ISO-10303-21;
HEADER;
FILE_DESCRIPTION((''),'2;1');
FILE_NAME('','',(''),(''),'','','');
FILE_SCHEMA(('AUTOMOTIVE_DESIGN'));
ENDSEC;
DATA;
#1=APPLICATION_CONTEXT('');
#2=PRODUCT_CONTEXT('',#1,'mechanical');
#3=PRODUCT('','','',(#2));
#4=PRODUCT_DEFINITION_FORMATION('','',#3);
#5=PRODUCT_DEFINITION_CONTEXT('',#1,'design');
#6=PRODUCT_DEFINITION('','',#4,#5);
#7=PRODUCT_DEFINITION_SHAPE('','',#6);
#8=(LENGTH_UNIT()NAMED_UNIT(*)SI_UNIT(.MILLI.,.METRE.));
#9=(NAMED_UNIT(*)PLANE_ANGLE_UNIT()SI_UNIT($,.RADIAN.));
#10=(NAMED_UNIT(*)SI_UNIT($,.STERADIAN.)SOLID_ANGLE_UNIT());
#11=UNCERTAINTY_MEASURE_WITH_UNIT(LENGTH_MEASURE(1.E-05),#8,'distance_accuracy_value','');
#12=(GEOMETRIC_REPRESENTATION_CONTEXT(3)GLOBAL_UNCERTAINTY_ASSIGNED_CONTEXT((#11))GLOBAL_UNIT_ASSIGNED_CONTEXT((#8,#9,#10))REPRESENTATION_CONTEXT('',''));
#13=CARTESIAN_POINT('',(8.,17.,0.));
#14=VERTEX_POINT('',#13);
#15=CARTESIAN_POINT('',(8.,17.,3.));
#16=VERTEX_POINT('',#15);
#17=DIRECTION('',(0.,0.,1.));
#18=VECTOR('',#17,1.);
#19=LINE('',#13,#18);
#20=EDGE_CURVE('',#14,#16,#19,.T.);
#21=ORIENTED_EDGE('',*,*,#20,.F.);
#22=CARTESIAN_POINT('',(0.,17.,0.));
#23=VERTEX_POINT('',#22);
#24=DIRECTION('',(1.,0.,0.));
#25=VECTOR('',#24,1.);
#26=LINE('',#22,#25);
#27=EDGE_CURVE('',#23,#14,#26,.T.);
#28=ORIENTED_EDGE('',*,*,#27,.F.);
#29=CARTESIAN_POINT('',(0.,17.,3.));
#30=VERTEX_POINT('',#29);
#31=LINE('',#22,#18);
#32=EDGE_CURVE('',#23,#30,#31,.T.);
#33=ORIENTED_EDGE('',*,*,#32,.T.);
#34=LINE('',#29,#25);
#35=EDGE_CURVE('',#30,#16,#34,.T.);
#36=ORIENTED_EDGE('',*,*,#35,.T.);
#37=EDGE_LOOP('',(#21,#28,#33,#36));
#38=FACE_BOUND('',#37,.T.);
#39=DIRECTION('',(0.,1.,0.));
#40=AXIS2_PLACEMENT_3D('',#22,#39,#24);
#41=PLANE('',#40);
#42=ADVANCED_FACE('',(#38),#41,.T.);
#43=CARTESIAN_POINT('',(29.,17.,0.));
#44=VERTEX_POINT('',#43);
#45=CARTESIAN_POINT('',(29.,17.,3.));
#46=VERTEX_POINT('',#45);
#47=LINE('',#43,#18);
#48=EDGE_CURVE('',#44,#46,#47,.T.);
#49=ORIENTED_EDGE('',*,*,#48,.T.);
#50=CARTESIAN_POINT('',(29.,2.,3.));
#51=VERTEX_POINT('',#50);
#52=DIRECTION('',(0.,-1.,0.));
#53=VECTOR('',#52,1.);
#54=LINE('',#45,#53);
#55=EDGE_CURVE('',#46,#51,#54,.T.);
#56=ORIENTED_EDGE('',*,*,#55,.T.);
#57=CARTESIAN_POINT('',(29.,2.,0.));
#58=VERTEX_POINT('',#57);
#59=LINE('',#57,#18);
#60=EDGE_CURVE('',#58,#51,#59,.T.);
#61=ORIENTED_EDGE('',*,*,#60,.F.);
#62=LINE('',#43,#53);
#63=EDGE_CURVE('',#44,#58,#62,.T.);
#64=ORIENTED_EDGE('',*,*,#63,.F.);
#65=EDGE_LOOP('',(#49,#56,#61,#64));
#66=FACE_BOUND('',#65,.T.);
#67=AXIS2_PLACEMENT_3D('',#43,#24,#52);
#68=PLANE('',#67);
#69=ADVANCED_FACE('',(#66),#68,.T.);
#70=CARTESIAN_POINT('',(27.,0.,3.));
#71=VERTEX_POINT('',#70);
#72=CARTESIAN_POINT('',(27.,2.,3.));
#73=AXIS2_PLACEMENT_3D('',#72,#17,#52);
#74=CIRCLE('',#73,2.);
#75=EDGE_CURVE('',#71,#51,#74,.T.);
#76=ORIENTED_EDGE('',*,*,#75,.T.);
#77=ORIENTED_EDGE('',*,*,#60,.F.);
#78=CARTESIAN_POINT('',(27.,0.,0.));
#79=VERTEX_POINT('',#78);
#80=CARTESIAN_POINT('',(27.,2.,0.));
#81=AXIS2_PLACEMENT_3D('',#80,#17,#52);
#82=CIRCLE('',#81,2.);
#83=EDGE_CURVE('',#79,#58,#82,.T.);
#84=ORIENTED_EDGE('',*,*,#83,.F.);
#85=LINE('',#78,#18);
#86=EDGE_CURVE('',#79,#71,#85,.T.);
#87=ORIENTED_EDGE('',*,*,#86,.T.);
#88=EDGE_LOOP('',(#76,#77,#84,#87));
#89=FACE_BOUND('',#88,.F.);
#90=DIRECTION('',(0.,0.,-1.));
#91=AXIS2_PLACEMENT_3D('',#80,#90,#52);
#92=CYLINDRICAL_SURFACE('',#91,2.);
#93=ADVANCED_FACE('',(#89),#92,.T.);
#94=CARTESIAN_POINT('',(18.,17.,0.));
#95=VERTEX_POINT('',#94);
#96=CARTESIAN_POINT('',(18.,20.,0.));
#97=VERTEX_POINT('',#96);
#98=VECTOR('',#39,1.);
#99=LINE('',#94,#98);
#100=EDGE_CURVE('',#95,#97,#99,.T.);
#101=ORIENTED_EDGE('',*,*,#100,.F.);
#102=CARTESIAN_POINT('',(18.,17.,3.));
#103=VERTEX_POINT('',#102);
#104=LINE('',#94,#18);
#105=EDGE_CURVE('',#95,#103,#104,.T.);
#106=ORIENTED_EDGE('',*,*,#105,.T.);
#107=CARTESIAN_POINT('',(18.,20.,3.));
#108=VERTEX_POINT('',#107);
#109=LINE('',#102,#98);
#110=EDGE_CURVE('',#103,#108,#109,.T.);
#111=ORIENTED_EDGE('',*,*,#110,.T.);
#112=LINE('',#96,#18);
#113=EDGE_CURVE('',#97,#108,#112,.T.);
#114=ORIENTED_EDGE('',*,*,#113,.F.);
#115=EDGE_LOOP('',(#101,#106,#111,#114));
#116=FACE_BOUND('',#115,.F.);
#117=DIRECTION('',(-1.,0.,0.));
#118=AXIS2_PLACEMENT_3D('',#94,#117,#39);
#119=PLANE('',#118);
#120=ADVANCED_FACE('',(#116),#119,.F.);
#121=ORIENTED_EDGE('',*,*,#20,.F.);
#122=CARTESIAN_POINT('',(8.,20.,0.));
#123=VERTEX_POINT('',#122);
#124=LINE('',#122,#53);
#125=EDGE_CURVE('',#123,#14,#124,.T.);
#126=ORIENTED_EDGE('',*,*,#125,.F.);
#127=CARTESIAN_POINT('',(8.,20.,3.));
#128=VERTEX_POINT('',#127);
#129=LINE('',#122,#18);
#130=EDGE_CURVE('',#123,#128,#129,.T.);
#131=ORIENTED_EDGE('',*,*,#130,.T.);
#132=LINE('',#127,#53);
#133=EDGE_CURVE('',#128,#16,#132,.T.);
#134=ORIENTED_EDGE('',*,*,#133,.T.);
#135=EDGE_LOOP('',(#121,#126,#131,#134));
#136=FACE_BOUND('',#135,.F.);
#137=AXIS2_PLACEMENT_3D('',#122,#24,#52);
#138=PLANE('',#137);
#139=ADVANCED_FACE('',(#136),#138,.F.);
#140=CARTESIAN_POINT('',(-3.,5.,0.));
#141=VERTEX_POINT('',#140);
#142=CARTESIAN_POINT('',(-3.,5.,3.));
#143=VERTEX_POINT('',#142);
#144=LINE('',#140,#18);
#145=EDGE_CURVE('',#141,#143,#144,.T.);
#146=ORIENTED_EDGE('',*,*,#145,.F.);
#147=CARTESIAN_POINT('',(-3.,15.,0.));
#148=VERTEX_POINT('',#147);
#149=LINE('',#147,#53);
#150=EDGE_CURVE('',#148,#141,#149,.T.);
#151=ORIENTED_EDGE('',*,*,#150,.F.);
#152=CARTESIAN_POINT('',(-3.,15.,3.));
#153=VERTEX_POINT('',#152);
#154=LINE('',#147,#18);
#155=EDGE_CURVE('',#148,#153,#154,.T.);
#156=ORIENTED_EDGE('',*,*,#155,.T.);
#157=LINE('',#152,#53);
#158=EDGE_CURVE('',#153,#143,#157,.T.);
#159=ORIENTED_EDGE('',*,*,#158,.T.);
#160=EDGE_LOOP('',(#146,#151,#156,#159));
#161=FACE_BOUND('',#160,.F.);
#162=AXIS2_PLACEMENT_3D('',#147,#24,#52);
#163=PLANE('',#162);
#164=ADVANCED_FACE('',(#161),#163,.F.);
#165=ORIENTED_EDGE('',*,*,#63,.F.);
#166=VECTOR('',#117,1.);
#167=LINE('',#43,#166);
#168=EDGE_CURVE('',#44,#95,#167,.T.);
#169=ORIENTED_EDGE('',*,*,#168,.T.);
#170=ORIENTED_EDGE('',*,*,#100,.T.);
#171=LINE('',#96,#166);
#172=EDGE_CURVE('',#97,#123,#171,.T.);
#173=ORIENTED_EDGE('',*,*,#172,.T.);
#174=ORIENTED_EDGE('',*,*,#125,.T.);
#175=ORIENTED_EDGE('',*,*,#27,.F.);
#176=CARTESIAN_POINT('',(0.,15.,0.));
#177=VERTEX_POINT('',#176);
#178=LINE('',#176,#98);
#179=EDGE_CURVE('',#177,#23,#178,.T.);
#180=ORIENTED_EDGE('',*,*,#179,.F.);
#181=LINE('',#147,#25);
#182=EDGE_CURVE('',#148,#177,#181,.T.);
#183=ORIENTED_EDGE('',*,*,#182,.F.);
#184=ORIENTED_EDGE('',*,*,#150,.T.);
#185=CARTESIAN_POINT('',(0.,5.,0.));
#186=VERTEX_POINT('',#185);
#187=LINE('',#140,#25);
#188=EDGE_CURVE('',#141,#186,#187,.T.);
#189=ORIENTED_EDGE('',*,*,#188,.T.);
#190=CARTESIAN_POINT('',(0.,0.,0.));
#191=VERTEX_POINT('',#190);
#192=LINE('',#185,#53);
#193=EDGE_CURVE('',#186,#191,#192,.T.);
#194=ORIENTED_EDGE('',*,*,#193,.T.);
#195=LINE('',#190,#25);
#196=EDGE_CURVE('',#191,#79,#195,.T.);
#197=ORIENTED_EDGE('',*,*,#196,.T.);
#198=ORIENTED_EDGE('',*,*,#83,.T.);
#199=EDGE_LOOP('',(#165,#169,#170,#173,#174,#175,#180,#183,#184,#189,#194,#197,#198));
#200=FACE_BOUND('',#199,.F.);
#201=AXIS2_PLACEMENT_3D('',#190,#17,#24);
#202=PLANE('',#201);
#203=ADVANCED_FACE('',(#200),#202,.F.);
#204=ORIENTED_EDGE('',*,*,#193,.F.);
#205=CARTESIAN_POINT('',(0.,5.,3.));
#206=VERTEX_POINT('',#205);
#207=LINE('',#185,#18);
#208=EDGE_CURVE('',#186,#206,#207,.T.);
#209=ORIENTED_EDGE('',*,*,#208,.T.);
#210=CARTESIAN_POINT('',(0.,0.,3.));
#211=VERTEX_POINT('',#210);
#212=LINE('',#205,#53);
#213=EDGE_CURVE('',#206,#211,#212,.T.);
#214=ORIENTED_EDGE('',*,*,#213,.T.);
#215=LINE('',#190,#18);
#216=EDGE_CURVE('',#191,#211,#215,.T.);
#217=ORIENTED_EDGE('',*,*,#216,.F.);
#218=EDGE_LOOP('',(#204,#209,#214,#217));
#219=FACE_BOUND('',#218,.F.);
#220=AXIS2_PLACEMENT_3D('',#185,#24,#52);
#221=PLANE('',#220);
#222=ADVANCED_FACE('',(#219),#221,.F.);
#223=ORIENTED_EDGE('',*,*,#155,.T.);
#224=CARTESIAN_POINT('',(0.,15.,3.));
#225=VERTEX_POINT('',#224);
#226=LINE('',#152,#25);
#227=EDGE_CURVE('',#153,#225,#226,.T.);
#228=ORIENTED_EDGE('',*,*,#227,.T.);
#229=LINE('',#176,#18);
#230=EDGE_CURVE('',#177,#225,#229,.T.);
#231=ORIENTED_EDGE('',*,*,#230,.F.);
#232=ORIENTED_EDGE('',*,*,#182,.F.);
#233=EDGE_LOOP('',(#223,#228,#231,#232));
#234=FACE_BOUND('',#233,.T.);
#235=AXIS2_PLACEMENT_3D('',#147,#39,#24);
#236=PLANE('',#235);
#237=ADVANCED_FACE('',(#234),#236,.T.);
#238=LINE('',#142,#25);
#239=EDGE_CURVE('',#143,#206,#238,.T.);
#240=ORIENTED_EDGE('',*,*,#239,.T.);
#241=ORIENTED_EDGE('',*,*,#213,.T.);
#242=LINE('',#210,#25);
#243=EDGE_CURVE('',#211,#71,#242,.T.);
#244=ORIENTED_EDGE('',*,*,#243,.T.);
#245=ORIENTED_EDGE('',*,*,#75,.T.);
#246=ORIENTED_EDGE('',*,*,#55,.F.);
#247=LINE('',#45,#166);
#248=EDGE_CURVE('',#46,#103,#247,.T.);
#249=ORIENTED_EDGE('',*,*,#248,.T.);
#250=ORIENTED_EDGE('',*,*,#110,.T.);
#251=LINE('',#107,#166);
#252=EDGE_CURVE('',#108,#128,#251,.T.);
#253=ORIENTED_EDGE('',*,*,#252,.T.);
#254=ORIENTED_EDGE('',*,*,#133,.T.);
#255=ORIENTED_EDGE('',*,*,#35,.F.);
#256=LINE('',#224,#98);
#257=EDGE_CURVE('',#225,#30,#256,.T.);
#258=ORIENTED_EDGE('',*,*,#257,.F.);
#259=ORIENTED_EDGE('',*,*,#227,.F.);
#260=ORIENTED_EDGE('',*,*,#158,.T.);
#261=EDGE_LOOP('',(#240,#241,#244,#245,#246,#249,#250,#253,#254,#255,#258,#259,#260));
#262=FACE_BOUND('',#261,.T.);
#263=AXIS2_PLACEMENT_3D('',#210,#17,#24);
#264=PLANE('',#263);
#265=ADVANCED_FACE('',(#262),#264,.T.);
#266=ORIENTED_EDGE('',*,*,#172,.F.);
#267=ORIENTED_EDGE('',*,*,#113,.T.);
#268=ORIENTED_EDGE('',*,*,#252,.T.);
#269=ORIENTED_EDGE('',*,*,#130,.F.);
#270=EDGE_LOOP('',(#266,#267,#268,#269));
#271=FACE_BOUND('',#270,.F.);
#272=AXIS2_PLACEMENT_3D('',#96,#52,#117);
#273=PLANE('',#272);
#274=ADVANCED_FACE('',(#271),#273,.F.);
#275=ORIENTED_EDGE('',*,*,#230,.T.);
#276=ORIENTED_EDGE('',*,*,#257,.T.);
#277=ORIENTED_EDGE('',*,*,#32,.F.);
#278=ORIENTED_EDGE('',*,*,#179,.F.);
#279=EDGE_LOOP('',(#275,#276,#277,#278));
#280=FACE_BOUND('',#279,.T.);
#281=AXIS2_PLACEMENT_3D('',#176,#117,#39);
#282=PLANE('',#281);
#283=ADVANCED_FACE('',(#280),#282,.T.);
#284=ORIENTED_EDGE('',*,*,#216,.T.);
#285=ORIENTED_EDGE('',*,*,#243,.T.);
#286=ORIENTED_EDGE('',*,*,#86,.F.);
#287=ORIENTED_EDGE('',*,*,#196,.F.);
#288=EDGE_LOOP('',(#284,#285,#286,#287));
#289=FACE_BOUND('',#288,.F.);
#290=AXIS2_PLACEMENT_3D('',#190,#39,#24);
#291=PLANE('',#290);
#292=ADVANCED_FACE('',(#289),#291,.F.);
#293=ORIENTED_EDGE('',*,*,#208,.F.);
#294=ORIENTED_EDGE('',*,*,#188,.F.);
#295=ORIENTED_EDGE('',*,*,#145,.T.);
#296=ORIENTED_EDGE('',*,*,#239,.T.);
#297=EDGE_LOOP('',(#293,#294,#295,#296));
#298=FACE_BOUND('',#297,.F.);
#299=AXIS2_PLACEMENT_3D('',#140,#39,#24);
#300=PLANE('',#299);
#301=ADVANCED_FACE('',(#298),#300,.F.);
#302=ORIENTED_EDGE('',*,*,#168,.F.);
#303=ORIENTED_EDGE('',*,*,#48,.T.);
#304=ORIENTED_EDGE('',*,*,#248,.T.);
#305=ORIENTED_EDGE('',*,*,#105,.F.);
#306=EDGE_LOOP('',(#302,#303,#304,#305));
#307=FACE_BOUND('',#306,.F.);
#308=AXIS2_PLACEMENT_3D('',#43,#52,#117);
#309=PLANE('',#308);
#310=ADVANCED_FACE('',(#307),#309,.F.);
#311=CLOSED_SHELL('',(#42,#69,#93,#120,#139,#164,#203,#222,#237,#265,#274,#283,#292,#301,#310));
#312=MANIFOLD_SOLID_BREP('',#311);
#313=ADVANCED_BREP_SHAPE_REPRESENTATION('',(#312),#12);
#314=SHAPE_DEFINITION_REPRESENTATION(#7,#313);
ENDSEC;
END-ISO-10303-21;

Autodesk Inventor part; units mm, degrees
ref_plane "YZ Plane" through (0, 0, 0) normal (1, 0, 0) x (0, 1, 0)
ref_plane "XZ Plane" through (0, 0, 0) normal (0, 1, 0) x (-1, 0, 0)
ref_plane "XY Plane" through (0, 0, 0) normal (0, 0, 1) x (1, 0, 0)
sketch "Sketch1" plane through (0, 0, 0) normal (0, 0, 1) x (1, 0, 0)
  line L0 (0, 0) -> (27, 0)
  line L1 (18, 17) -> (18, 20)
  line L2 (18, 20) -> (8, 20)
  line L3 (8, 20) -> (8, 17)
  line L4 (29, 17) -> (18, 17)
  line L5 (-3, 15) -> (-3, 5)
  line L6 (-3, 5) -> (0, 5)
  line L7 (0, 5) -> (0, 0)
  arc A0 (27, 0) -> (29, 2) centre (27, 2) ccw
  line L8 (-3, 15) -> (0, 15)
  line L9 (29, 17) -> (29, 2)
  line L10 (0, 15) -> (0, 17)
  line L11 (0, 17) -> (8, 17)
  point P0 (25, 0)
  dimension "d8" = 10
  dimension "d10" = 3
  dimension "d15" = 2
  dimension "d16" = 10
  dimension "d25" = 3
  dimension "d26" = 5
  dimension "d33" = 17
  dimension "d35" = 11
  dimension "d36" = 11
  dimension "d38" = 2
  dimension "d39" = 8
  dimension "d40" = 32
  dimension "d41" = 3
extrude "Extrusion1" add sketch "Sketch1" along normal blind 3
properties part number "OpenROV 2.3 Dev EChassis Horz Blinder"
